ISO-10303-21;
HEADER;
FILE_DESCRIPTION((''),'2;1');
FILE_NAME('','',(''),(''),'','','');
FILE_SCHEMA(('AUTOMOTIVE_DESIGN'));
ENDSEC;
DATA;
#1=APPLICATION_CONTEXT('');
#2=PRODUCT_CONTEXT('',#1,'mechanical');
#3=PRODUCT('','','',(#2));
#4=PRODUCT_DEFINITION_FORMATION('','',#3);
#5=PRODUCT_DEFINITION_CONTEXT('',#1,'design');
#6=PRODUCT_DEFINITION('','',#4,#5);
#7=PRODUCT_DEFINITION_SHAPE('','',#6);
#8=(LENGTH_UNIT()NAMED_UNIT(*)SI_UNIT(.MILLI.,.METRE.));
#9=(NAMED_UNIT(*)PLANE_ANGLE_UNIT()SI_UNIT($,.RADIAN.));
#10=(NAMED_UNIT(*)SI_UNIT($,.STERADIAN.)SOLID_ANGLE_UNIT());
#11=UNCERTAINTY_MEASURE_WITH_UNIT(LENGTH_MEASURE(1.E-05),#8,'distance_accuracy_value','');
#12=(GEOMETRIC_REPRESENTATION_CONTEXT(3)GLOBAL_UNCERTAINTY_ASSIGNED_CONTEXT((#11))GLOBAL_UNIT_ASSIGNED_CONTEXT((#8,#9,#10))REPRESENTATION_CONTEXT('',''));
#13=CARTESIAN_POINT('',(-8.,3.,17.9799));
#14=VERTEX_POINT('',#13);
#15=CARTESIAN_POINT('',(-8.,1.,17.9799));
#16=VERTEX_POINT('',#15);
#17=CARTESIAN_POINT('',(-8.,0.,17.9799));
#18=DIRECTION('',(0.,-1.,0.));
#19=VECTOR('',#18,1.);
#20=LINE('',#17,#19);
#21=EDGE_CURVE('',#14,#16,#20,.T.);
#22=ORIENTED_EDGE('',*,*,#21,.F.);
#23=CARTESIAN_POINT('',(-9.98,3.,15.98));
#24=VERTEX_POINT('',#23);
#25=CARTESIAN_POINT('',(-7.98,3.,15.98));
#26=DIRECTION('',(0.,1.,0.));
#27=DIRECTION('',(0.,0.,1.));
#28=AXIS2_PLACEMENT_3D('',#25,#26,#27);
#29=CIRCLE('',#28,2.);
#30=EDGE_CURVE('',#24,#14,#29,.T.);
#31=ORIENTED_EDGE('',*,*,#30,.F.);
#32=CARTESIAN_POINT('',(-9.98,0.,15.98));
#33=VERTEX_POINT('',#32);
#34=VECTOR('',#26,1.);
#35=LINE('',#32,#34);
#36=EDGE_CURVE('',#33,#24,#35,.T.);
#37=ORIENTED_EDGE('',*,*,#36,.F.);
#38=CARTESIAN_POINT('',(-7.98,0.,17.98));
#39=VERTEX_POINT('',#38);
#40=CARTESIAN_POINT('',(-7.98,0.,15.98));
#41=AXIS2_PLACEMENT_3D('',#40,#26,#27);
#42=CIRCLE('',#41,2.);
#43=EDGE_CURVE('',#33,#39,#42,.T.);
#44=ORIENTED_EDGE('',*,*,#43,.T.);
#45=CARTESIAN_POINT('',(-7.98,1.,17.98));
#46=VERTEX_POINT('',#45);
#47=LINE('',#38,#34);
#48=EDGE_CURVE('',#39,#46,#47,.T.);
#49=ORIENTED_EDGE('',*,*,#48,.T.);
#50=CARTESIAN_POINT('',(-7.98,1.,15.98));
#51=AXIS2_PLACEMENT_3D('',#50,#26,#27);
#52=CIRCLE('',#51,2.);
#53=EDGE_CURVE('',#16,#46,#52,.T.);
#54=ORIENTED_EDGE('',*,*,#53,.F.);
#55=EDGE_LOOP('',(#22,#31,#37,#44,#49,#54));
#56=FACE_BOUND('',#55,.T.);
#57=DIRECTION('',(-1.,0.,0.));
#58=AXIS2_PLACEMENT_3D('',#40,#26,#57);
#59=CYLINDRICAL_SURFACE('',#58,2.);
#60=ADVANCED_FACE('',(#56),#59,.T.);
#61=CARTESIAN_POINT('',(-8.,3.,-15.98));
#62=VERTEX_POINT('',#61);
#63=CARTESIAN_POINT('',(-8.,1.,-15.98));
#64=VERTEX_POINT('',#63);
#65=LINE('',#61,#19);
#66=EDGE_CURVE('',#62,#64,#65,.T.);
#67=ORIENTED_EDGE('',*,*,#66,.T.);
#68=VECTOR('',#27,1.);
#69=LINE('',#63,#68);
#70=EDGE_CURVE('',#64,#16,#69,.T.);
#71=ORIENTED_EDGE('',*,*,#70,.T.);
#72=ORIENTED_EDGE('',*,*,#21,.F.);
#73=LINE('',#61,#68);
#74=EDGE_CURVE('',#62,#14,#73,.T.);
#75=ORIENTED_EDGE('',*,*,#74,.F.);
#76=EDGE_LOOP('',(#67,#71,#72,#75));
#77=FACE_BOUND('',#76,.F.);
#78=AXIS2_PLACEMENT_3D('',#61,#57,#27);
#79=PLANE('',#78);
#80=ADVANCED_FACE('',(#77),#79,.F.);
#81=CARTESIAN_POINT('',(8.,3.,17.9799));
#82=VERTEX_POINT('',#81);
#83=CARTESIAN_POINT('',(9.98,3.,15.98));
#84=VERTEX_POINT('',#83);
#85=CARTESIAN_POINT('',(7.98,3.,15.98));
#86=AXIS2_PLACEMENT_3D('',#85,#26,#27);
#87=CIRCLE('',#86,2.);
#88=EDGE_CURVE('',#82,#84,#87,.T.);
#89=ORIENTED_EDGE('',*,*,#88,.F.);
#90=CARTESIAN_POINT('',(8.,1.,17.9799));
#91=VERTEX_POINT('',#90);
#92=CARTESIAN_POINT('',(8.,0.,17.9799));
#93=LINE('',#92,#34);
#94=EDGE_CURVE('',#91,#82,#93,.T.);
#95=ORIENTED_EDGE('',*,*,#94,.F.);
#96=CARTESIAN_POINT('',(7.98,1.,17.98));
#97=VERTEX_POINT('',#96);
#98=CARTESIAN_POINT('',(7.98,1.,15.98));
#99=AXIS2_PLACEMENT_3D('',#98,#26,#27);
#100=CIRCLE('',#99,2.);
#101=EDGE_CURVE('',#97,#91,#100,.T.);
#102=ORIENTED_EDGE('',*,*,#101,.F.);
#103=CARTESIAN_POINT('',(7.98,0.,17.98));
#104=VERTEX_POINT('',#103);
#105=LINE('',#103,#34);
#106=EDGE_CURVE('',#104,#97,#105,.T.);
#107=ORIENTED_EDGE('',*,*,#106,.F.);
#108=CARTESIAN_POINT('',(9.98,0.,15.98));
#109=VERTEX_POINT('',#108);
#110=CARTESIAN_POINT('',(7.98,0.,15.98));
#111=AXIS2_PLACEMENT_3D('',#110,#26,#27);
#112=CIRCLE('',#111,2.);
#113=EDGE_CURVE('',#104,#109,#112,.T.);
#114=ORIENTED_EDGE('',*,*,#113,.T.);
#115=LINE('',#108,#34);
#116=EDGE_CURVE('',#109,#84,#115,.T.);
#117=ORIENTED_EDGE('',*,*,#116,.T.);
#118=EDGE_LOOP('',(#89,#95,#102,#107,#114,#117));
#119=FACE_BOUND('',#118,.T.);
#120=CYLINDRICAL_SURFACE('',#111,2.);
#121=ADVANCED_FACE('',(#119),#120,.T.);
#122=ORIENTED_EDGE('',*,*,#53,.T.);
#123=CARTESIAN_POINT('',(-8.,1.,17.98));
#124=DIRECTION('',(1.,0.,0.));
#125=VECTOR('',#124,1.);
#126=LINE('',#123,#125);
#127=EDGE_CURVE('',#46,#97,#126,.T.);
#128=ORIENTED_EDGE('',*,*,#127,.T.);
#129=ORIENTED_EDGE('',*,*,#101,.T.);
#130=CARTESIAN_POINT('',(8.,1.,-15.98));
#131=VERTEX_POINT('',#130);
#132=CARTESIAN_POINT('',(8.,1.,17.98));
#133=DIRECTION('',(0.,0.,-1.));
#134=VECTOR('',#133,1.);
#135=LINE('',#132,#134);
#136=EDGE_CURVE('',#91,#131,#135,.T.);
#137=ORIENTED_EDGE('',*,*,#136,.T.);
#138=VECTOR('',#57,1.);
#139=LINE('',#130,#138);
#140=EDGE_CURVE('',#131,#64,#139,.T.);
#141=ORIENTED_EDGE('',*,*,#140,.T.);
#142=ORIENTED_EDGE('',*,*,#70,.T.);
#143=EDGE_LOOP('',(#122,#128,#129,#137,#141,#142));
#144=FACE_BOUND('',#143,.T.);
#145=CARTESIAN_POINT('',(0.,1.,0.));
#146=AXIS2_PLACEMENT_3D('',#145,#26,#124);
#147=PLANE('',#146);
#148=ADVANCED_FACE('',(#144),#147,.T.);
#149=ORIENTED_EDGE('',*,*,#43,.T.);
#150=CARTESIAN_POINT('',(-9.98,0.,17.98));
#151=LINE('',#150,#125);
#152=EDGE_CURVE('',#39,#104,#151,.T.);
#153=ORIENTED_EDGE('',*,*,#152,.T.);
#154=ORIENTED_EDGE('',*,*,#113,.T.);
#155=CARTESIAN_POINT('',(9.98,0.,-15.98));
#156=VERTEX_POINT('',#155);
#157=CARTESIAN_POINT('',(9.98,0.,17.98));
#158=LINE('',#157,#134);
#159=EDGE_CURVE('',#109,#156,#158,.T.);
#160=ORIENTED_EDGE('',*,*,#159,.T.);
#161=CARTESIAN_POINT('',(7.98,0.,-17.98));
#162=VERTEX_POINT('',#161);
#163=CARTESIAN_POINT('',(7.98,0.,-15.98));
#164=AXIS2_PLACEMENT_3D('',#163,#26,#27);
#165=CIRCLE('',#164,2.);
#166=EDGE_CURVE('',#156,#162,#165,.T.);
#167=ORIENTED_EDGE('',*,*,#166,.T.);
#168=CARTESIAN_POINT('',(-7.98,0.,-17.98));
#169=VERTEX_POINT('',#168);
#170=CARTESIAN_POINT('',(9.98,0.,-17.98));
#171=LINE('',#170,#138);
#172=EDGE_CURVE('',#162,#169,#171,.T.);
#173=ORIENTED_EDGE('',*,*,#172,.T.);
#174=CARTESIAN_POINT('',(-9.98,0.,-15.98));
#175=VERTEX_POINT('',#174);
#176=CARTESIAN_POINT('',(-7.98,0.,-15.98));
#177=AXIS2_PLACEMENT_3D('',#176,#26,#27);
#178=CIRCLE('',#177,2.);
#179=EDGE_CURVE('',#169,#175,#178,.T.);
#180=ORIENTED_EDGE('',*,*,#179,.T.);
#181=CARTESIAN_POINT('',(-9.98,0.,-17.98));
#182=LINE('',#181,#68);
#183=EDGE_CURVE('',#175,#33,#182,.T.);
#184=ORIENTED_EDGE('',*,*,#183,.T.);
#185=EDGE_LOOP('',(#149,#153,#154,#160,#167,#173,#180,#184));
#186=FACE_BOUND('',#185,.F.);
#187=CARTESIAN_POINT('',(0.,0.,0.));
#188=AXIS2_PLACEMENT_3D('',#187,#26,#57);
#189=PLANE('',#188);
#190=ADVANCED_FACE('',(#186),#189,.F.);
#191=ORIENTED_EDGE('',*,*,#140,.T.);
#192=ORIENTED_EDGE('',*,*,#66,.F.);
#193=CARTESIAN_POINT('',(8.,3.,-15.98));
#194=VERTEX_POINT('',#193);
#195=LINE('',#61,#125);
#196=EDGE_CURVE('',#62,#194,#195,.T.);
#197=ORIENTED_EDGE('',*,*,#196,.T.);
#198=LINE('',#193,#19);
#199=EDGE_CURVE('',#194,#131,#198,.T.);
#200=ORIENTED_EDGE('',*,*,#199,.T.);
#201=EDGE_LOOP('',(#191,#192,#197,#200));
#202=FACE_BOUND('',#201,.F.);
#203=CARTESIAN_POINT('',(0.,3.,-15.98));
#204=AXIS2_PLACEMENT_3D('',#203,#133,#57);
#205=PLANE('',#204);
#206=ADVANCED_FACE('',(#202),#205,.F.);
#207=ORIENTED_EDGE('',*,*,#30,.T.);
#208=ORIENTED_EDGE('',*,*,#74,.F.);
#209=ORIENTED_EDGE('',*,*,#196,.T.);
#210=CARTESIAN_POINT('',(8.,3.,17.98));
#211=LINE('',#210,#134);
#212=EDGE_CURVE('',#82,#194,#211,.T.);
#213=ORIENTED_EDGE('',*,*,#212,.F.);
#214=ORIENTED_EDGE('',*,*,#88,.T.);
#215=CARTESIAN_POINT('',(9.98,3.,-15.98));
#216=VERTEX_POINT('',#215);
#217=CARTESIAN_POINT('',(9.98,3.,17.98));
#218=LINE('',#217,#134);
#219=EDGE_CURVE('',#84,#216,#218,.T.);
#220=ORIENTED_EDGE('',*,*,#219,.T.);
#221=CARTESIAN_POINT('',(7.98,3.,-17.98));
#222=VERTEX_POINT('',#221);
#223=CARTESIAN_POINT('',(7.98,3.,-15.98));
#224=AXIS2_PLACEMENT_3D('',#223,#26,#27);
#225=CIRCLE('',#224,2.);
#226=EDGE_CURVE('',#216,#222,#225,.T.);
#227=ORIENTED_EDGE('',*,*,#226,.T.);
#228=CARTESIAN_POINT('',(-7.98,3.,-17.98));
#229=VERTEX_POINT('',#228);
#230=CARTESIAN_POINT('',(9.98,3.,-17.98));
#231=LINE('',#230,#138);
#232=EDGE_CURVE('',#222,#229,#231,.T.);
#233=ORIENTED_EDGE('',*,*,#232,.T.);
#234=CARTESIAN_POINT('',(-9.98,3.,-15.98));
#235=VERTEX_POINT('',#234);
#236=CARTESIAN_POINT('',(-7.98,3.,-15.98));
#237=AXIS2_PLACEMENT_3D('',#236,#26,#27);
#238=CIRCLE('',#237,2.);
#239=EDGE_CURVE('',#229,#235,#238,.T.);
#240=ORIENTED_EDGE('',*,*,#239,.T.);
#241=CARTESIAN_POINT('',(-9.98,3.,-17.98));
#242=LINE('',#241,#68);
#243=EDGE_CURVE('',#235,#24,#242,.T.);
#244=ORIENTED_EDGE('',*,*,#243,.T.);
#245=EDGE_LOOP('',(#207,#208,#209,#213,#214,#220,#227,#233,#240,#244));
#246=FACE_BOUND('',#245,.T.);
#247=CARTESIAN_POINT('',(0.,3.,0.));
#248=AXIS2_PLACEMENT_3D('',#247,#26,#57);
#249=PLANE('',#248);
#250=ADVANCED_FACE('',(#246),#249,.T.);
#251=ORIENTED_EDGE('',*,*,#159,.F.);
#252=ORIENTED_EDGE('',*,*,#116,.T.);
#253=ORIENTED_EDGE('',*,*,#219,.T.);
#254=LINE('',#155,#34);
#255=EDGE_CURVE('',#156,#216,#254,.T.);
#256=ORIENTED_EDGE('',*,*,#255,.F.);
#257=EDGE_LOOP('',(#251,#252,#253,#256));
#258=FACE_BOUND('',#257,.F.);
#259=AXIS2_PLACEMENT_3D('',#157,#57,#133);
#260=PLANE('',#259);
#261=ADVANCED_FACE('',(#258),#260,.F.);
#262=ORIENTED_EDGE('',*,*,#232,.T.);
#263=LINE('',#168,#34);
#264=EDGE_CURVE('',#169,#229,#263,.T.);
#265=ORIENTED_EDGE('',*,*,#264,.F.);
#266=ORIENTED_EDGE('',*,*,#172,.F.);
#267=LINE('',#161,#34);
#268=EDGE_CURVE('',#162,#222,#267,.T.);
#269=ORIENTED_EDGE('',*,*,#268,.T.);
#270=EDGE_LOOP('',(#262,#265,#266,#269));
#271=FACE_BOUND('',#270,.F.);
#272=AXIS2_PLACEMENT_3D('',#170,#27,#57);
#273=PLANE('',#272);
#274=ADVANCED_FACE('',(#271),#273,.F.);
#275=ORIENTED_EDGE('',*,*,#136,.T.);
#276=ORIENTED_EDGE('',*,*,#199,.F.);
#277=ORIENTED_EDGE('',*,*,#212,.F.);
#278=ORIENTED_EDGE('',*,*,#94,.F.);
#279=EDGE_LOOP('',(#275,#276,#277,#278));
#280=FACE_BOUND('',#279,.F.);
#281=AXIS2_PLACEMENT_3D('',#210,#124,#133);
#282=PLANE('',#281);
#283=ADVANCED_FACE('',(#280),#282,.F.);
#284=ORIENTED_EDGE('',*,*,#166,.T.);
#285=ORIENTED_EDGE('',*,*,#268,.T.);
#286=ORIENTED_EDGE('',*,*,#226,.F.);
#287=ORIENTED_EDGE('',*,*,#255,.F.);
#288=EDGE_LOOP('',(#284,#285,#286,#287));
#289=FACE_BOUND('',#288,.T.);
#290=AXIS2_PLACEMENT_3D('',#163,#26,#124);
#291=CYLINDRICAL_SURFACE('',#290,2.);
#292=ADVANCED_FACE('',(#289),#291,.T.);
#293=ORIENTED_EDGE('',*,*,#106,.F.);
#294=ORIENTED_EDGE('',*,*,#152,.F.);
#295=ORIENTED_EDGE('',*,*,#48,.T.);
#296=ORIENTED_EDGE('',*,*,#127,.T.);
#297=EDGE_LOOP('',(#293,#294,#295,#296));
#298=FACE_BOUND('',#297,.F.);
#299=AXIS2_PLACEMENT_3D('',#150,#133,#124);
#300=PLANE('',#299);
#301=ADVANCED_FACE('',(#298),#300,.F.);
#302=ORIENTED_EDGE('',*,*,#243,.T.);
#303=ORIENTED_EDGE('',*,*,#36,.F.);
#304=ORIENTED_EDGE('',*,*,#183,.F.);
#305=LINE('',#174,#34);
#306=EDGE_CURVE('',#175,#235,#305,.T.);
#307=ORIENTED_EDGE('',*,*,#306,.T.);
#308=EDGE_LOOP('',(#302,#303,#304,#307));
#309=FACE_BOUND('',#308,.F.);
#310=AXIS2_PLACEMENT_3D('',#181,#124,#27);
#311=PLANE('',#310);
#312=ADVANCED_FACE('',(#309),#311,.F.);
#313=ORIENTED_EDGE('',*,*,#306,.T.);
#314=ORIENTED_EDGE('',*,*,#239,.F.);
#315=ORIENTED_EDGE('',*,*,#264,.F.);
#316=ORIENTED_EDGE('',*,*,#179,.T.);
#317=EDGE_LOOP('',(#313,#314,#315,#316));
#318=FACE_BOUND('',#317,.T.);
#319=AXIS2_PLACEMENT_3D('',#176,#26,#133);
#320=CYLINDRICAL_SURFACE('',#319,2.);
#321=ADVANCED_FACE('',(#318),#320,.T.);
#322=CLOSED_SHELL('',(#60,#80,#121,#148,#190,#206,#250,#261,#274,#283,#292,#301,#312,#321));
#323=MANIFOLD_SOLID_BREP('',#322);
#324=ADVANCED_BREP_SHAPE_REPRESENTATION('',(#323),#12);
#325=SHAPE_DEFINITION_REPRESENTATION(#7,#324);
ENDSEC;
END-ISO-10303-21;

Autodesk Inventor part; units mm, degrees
ref_plane "YZ Plane" through (0, 0, 0) normal (1, 0, 0) x (0, 1, 0)
ref_plane "XZ Plane" through (0, 0, 0) normal (0, 1, 0) x (-1, 0, 0)
ref_plane "XY Plane" through (0, 0, 0) normal (0, 0, 1) x (1, 0, 0)
sketch "Sketch1" plane through (0, 0, 0) normal (0, 1, 0) x (-1, 0, 0)
  line L0 (9.98, 17.98) -> (-9.98, 17.98)
  line L1 (-9.98, 17.98) -> (-9.98, -17.98)
  line L2 (-9.98, -17.98) -> (9.98, -17.98)
  line L3 (9.98, -17.98) -> (9.98, 17.98)
  line L4 (9.98, 17.98) -> (-9.98, -17.98) construction
  line L5 (-9.98, 17.98) -> (9.98, -17.98) construction
  point P0 (0, 0)
  dimension "d0" = 35.96
  dimension "d1" = 19.96
extrude "arm-wall" add sketch "Sketch1" along normal blind 3
sketch "Sketch2" plane through (0, 3, 0) normal (0, 1, 0) x (1, 0, 0)
  line L0 (-8, -17.98) -> (8, -17.98)
  line L1 (8, -17.98) -> (8, 15.98)
  line L2 (8, 15.98) -> (-8, 15.98)
  line L3 (-8, 15.98) -> (-8, -17.98)
  line L4 (-8, -17.98) -> (8, 15.98) construction
  line L5 (8, -17.98) -> (-8, 15.98) construction
  line L6 (0, 25.172) -> (0, -25.172) projected
  line L7 (9.98, 17.98) -> (-9.98, 17.98) projected
  line L8 (-9.98, -17.98) -> (9.98, -17.98) projected
  point P0 (0, 0)
  point P1 (0, -1)
  point P2 (0, -1)
  dimension "d4" = 16
  dimension "d5" = 2
extrude "slot" cut sketch "Sketch2" against normal blind 2
fillet "Fillet1" radius 2 1 edges at (-9.98, 1.5, 17.98)
fillet "Fillet2" radius 2 1 edges at (9.98, 1.5, 17.98)
fillet "Fillet3" radius 2 1 edges at (9.98, 1.5, -17.98)
fillet "Fillet4" radius 2 1 edges at (-9.98, 1.5, -17.98)
equation "\"d2\" = armthick"
equation "\"d4\" = adapterh"
equation "\"d5\" = -0.5 * adapterw + 0.5 * armw"
equation "\"d6\" = armslotd"
equation "\"d8\" = cornerrad"
equation "\"d9\" = cornerrad"
equation "\"d10\" = cornerrad"
equation "\"d11\" = cornerrad"
equation "\"printer3dtolerance\" = 0.12"
equation "\"wallw\" = 42"
equation "\"wallh\" = 44"
equation "\"cornerrad\" = 2"
equation "\"baseextra\" = 2"
equation "\"wall1_thick\" = 8"
equation "\"wall2_thick\" = 6.4"
equation "\"wall3_thick\" = 4"
equation "\"wall1slot\" = 8.12"
equation "\"wall2slot\" = 6.52"
equation "\"wall3slot\" = 4.12"
equation "\"gap2\" = 28"
equation "\"baseh\" = 79.12"
equation "\"basew\" = 44"
equation "\"base_thick\" = 6"
equation "\"base_slots_depth\" = 4"
equation "\"servobigcircledia\" = 11.62"
equation "\"servosmallcircledia\" = 5.92"
equation "\"servo9gw\" = 22.8"
equation "\"servomounth\" = 4"
equation "\"servomountsquare\" = 6"
equation "\"servopolygonr\" = 6.12"
equation "\"servopolygonl\" = 5.92"
equation "\"distancefrombottom\" = 34"
equation "\"distancefromleft\" = 26"
equation "\"wall3slotd\" = 2"
equation "\"wall3slotw\" = 36"
equation "\"adapterh\" = 16"
equation "\"adapterw\" = 32"
equation "\"armw\" = 36"
equation "\"armslotd\" = 2"
equation "\"armthick\" = 3"
properties part number "adapter-slot"
